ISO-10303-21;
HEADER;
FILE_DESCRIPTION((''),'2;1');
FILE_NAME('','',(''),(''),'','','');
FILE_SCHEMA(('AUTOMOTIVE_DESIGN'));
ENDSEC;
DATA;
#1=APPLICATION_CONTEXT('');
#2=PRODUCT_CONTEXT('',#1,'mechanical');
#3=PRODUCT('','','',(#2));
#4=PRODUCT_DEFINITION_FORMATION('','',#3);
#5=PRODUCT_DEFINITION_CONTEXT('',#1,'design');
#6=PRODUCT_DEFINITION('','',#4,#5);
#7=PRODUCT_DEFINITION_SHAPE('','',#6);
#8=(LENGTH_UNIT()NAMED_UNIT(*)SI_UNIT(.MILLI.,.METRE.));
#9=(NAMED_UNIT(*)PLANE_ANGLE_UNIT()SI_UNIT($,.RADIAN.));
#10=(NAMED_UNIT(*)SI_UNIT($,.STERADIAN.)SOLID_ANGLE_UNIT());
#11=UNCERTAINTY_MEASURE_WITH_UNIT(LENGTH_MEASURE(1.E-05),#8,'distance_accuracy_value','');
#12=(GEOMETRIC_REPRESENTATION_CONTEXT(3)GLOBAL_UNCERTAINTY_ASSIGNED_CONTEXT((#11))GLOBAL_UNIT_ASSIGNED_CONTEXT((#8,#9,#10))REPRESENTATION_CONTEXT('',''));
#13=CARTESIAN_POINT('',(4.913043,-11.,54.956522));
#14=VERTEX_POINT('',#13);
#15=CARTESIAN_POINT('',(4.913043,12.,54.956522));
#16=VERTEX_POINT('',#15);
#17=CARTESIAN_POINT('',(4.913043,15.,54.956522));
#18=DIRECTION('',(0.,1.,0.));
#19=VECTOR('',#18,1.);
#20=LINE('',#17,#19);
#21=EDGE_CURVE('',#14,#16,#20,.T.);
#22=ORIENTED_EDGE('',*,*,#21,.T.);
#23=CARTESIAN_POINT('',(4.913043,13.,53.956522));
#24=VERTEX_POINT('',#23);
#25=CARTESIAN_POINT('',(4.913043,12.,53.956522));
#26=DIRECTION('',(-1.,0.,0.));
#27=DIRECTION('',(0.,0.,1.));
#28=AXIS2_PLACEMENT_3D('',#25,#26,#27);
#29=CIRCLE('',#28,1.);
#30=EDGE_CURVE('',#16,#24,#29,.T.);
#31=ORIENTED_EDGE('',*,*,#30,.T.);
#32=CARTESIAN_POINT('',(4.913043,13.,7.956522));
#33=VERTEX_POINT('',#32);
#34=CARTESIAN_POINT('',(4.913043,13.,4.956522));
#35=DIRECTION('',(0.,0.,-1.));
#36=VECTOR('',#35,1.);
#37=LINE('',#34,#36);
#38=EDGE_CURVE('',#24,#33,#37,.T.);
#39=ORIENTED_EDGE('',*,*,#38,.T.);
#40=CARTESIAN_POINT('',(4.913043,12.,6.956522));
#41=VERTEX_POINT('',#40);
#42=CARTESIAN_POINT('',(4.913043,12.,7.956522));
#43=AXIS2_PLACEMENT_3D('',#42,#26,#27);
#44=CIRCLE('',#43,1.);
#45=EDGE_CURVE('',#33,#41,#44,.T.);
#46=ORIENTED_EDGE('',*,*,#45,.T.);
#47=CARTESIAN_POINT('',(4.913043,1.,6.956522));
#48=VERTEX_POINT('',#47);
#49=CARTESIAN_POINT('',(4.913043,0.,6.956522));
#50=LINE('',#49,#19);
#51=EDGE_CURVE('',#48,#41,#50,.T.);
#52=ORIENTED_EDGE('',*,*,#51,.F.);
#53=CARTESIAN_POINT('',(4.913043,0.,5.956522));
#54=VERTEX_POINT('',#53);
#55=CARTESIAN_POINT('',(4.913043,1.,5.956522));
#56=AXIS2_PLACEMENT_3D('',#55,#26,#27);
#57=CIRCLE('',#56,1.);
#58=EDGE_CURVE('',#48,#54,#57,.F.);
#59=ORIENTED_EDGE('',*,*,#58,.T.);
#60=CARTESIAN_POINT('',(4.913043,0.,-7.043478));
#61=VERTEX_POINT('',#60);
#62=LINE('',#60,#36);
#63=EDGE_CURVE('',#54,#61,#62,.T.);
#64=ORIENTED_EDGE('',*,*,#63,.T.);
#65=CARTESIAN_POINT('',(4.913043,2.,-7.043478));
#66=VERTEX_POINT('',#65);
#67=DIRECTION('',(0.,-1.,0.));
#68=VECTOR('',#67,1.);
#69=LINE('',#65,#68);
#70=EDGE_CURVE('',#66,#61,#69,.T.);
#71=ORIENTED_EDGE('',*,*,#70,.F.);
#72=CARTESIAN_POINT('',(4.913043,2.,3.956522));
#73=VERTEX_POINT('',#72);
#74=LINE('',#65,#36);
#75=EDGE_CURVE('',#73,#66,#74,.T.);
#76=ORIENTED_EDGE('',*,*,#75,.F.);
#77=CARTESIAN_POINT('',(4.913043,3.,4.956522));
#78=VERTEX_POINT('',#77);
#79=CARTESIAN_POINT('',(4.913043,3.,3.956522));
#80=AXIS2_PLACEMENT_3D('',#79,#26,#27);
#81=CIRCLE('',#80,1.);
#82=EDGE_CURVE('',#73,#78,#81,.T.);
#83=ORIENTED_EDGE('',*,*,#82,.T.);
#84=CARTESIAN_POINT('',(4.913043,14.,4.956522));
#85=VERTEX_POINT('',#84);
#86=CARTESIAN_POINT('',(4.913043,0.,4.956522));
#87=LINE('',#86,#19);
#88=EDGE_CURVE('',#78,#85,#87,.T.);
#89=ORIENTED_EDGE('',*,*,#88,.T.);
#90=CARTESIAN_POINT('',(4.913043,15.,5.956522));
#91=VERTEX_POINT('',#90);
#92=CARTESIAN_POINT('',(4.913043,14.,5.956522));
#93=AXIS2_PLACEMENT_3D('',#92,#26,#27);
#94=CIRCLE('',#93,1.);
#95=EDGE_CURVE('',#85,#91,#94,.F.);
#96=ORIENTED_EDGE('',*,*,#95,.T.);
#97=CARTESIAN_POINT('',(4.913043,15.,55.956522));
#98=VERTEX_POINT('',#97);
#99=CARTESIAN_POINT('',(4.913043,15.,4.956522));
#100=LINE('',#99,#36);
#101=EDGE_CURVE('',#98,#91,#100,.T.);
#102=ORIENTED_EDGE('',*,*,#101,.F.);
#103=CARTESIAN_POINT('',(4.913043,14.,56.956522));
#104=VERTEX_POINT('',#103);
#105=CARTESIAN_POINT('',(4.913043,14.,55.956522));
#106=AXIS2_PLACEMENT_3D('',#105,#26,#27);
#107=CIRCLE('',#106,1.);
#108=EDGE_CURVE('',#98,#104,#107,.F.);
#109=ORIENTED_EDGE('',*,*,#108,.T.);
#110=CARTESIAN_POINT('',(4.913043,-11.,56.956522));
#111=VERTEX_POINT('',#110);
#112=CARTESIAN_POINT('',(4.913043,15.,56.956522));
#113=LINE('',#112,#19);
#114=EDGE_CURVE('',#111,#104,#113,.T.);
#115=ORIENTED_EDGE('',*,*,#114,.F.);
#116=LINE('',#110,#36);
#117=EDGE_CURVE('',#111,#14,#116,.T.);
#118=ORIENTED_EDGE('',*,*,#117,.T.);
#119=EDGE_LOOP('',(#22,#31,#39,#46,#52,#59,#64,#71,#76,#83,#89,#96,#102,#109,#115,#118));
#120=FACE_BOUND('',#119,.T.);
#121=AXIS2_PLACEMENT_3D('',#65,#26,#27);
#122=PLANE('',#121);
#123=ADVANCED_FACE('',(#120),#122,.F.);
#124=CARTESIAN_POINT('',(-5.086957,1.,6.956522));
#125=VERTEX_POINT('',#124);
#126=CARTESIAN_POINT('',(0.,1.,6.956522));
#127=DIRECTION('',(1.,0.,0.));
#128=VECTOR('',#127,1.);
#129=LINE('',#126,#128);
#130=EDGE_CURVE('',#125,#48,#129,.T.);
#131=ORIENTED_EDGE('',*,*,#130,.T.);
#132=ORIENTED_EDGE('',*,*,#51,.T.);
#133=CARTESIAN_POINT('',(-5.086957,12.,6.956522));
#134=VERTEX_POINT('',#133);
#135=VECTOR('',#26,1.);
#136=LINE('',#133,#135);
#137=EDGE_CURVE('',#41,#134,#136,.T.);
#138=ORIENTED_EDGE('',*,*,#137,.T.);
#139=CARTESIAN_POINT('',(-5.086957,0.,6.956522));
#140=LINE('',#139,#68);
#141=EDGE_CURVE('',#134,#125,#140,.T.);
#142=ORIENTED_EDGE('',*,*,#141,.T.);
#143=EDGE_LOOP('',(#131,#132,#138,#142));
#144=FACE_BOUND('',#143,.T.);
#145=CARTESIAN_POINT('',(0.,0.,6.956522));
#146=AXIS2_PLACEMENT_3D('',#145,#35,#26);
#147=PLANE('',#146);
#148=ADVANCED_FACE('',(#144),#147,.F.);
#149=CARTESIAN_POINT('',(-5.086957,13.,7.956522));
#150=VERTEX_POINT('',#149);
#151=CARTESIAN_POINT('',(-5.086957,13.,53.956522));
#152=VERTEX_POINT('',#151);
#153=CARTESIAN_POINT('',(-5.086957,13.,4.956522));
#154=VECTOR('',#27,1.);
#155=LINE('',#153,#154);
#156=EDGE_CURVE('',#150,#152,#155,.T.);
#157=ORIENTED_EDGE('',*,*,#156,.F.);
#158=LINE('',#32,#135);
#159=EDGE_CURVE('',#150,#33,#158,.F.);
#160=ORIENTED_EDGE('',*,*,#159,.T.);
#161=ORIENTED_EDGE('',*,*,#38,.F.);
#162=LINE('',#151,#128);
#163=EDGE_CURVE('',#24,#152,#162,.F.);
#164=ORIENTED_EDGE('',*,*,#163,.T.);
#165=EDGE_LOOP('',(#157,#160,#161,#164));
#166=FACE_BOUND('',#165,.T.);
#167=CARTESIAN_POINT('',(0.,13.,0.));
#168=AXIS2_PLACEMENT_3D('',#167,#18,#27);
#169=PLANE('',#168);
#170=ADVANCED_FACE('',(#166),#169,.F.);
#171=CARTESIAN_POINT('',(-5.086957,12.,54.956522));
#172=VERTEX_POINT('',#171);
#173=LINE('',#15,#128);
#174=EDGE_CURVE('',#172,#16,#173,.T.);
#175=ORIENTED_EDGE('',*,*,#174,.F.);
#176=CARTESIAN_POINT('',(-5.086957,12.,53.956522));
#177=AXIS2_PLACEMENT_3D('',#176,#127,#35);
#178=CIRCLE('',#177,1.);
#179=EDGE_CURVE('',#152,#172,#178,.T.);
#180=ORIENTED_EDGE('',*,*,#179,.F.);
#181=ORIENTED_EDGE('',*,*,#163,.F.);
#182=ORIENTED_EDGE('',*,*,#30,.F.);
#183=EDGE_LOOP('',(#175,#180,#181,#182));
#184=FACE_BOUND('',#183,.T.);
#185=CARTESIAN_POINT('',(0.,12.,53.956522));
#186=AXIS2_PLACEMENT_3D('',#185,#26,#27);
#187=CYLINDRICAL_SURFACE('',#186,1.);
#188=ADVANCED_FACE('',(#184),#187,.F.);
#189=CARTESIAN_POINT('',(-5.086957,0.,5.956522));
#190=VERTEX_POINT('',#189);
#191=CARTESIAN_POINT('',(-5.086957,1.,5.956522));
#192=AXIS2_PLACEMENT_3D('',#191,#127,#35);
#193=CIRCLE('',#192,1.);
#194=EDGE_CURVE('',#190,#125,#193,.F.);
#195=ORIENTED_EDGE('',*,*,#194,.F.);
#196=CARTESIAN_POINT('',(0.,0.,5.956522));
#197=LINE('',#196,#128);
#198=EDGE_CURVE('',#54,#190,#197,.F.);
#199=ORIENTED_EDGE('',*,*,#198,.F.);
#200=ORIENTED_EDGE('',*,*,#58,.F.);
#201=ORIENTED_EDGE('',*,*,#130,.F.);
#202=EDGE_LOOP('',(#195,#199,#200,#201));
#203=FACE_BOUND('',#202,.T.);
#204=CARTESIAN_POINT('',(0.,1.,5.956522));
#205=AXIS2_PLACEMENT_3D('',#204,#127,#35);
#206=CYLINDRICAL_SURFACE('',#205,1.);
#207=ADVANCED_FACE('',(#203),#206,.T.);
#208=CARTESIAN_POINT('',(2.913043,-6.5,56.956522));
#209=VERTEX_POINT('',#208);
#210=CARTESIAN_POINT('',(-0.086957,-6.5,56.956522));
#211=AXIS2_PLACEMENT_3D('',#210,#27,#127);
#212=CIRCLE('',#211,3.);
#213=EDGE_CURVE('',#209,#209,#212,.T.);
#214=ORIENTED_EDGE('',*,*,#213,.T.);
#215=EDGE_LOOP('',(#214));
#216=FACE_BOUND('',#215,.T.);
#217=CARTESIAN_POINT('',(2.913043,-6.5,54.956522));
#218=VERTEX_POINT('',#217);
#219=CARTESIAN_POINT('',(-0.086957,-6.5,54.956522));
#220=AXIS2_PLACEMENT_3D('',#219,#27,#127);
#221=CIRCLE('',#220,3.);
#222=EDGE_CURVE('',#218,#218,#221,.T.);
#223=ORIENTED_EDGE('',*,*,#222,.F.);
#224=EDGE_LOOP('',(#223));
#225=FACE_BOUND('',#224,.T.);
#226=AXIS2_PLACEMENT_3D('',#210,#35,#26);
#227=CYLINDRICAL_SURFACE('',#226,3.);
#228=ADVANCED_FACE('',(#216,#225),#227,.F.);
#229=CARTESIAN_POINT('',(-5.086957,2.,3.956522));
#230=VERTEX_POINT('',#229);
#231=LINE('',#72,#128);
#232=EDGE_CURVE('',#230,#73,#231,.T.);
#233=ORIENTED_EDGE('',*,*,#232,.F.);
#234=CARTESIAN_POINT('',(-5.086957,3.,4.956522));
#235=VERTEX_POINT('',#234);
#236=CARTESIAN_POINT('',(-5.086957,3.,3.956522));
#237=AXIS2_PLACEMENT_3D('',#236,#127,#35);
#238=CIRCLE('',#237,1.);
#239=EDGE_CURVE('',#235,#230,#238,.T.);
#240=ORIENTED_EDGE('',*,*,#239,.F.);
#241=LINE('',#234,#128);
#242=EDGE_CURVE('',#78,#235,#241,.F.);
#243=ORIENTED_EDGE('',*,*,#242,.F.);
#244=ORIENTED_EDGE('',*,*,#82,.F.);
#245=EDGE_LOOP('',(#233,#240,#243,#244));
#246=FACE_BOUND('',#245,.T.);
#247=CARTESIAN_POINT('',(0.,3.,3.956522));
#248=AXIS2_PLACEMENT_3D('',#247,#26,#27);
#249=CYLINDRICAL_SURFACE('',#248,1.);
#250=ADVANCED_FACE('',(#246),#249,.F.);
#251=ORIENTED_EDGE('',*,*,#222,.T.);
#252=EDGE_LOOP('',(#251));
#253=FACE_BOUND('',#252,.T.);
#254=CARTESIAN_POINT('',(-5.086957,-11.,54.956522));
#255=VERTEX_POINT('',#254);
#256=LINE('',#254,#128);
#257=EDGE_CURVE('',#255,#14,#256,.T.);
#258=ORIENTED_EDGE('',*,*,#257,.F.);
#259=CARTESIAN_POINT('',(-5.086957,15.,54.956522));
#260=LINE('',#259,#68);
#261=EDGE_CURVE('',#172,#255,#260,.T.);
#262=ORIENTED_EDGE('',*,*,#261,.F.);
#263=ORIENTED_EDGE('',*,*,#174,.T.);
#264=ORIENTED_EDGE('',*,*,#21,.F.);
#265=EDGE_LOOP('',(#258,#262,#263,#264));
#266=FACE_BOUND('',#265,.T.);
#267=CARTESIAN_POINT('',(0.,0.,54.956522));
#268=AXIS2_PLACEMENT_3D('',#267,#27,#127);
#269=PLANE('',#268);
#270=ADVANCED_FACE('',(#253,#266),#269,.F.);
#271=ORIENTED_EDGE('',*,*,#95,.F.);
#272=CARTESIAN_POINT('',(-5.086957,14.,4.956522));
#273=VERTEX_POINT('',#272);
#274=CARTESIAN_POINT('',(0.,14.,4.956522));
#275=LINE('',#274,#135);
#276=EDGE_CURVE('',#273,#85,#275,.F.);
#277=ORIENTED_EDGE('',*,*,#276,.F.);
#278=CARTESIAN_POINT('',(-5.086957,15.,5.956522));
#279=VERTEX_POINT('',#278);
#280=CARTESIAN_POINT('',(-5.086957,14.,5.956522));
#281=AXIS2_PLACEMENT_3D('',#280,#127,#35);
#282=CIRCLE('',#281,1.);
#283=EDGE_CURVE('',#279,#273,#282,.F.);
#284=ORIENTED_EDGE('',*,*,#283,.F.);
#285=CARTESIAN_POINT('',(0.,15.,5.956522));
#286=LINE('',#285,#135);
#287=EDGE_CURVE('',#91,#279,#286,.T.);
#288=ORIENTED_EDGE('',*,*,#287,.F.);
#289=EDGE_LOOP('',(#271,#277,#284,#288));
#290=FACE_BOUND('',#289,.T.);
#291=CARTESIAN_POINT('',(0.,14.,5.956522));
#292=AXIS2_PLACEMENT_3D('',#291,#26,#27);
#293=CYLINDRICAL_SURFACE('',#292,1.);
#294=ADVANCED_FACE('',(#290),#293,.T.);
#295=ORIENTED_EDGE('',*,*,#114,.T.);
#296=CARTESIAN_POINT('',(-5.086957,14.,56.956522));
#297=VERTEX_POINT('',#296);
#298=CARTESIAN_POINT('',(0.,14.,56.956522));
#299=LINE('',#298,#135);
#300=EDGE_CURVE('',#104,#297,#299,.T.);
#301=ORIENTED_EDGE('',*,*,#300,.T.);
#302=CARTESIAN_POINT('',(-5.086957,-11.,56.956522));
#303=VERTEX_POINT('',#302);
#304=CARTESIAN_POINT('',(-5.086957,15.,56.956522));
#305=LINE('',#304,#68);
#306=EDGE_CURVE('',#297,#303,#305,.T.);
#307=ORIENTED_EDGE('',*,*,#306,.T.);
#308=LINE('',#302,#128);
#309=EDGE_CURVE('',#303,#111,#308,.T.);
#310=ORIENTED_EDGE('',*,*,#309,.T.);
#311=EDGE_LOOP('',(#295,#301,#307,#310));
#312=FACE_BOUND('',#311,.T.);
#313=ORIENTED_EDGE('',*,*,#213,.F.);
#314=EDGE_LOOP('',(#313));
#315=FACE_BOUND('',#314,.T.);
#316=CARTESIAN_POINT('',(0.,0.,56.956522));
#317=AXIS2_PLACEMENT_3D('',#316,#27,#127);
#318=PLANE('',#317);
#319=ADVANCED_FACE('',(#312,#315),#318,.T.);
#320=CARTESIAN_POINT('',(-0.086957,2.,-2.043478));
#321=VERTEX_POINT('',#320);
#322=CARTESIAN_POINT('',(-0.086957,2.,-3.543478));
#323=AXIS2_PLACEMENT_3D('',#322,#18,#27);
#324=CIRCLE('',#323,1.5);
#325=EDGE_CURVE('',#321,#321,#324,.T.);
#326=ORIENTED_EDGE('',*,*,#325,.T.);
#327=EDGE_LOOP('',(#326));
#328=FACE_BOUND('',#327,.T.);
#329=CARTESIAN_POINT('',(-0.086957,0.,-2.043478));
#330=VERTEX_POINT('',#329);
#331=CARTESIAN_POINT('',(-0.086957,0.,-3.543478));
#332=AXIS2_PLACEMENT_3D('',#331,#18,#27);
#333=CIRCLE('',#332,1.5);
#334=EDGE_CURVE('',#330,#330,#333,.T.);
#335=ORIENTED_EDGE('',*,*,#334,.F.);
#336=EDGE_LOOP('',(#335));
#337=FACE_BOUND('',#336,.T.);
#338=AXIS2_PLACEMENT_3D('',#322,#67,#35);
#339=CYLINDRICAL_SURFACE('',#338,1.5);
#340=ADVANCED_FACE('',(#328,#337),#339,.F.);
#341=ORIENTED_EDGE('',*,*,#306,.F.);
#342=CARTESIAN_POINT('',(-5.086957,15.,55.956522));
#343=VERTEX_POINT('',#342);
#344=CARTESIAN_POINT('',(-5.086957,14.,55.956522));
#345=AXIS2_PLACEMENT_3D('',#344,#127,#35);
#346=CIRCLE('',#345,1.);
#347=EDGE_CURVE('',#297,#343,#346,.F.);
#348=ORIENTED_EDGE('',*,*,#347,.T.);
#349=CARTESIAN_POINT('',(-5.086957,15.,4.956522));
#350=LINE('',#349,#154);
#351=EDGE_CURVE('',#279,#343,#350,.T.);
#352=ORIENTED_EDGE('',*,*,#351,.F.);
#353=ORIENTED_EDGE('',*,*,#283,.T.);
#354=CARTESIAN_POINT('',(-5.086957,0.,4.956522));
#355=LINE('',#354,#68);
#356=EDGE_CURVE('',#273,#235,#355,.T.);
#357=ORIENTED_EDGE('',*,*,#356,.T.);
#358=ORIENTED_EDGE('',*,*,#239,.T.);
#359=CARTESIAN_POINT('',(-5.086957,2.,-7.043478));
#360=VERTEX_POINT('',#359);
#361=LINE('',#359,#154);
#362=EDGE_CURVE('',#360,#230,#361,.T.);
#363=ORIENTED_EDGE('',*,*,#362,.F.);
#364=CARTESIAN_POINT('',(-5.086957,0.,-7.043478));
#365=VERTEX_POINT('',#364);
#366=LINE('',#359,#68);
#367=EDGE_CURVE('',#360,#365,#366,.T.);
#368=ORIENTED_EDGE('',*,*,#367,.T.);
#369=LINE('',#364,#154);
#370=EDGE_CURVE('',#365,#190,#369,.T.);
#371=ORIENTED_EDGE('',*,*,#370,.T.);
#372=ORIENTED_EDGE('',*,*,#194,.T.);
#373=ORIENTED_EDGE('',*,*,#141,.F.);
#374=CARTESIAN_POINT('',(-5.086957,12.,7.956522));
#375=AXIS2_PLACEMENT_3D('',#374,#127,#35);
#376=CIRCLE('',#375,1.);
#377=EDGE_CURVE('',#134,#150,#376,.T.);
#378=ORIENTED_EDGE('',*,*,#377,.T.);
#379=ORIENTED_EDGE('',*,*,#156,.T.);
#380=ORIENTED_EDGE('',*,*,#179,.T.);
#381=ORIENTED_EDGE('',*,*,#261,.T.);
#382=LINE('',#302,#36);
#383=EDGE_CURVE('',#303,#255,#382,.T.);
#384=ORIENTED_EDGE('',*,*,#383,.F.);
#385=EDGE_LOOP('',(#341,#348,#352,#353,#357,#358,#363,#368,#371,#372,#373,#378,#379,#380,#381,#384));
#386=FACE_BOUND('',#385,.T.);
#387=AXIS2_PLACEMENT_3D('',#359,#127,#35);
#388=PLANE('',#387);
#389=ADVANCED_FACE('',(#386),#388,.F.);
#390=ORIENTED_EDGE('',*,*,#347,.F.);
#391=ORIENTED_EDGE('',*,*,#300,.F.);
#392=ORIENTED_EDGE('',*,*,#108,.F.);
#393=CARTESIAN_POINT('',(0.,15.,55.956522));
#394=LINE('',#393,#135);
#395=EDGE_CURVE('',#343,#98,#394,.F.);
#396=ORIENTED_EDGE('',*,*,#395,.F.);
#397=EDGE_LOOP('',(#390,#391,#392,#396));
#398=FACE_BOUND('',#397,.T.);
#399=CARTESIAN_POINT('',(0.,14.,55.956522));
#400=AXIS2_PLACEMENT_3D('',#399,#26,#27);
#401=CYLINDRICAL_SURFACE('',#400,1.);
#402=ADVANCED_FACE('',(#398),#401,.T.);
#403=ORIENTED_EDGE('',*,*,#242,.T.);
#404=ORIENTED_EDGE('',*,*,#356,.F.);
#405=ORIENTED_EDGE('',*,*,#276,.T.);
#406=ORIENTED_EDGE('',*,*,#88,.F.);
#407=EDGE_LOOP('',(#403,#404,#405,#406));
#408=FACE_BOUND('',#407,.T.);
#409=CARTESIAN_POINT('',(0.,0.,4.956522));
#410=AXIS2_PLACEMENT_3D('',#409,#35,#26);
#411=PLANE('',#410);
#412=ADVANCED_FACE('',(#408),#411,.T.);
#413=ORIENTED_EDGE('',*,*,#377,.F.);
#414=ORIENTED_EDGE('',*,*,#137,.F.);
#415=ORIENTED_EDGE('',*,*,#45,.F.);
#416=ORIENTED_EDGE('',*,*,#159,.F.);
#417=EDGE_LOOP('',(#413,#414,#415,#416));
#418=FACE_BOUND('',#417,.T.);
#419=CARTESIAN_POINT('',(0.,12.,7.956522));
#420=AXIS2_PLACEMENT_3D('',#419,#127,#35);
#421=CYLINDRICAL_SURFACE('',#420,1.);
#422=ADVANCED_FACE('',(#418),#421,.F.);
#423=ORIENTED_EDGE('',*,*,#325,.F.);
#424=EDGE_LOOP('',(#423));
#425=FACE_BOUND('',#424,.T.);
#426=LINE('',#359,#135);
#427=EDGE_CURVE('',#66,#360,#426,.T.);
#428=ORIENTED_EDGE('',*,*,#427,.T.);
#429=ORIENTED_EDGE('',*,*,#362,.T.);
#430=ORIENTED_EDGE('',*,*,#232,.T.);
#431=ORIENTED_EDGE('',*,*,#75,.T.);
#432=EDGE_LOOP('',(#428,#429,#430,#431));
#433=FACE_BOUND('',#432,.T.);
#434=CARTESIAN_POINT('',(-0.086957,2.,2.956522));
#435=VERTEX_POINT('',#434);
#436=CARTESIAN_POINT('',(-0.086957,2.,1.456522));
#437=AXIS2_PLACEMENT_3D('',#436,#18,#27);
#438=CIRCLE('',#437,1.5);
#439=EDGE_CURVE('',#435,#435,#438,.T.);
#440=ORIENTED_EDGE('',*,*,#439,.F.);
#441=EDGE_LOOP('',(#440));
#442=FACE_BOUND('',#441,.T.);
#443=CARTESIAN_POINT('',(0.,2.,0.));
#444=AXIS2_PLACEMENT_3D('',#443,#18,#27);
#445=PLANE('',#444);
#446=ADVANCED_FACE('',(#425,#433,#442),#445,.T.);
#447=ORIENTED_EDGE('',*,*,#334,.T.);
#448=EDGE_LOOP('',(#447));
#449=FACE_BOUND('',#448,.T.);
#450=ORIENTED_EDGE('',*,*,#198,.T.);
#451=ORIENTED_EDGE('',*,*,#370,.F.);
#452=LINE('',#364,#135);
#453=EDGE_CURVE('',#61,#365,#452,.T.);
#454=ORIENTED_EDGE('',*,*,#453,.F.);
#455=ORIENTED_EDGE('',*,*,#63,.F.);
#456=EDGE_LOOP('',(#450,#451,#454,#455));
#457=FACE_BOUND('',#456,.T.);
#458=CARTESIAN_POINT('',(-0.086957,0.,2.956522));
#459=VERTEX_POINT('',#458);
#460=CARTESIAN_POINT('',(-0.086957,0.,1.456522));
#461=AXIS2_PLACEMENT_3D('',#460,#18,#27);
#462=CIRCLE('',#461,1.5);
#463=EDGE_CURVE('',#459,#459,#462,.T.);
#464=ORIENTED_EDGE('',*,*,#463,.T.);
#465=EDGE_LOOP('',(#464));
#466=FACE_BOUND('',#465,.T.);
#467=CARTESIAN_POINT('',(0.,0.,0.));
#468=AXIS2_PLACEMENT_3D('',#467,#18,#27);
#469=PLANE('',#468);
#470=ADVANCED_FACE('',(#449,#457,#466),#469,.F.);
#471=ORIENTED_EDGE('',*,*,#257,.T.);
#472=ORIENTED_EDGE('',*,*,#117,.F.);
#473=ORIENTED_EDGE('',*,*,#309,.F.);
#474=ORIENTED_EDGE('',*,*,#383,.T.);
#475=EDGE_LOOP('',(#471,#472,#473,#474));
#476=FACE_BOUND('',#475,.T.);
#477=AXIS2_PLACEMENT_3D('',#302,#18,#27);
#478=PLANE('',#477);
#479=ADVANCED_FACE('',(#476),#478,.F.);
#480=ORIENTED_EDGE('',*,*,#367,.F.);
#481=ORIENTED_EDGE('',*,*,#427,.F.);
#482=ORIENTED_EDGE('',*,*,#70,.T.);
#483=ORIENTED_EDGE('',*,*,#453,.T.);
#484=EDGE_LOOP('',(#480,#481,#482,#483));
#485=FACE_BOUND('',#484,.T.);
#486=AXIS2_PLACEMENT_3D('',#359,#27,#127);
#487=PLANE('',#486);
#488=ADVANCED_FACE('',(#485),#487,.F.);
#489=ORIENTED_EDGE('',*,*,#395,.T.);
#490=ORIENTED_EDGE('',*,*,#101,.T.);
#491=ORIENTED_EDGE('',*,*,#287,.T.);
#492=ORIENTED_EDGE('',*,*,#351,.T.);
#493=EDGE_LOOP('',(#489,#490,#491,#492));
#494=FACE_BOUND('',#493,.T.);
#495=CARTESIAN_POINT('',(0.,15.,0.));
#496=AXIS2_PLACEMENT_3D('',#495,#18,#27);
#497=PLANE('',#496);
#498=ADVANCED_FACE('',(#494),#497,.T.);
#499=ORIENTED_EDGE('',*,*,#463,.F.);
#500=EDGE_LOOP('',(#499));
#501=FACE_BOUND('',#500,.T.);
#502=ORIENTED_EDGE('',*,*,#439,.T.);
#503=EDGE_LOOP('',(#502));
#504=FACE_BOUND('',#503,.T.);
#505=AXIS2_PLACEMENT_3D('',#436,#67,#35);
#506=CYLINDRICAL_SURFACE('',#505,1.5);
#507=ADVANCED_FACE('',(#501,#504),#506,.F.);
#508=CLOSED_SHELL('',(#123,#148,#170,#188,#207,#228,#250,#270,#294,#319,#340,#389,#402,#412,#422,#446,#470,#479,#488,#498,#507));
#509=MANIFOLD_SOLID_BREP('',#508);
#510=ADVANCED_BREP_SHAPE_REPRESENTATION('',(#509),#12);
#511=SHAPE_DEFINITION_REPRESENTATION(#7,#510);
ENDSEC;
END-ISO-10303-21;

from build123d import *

# Parameters (mm, degrees)
SKETCH1_W           = 10
SKETCH1_H           = 12
SKETCH1_R           = 1.5
BOSS_EXTRUDE1_DEPTH = 2
SKETCH2_W           = 10
SKETCH2_H           = 13
BOSS_EXTRUDE2_DEPTH = 2
SKETCH3_W           = 10
SKETCH3_H           = 50
BOSS_EXTRUDE3_DEPTH = 2
SKETCH4_W           = 10
SKETCH4_H           = 26
SKETCH4_R           = 3
BOSS_EXTRUDE4_DEPTH = 2
FILLET1_R           = 1
FILLET2_R           = 1
FILLET3_R           = 1
FILLET4_R           = 1
FILLET5_R           = 1
FILLET6_R           = 1


with BuildPart() as part:
    # Sketch1 → Boss-Extrude1 (new body)
    with BuildSketch(Plane(origin=(0, 0, 0), x_dir=(1, 0, 0), z_dir=(0, 1, 0))):
        with Locations((-0.086956522, 1.043478261)):
            Rectangle(SKETCH1_W, SKETCH1_H)
        with Locations(Location((-0.086956522, -1.456521739, 0), (0, 0, 270))):
            Circle(SKETCH1_R, mode=Mode.SUBTRACT)
        with Locations(Location((-0.086956522, 3.543478261, 0), (0, 0, 270))):
            Circle(SKETCH1_R, mode=Mode.SUBTRACT)
    extrude(amount=BOSS_EXTRUDE1_DEPTH)

    # Sketch2 → Boss-Extrude2 (add)
    with BuildSketch(Plane.XY.offset(4.956521739)):
        with Locations((-0.086956522, 6.5)):
            Rectangle(SKETCH2_W, SKETCH2_H)
    extrude(amount=BOSS_EXTRUDE2_DEPTH)

    # Sketch3 → Boss-Extrude3 (add)
    with BuildSketch(Plane(origin=(0, 13, 0), x_dir=(1, 0, 0), z_dir=(0, 1, 0))):
        with Locations((-0.086956522, -29.956521739)):
            Rectangle(SKETCH3_W, SKETCH3_H)
    extrude(amount=BOSS_EXTRUDE3_DEPTH)

    # Sketch4 → Boss-Extrude4 (add)
    with BuildSketch(Plane.XY.offset(54.956521739)):
        with Locations((-0.086956522, 2)):
            Rectangle(SKETCH4_W, SKETCH4_H)
        with Locations((-0.086956522, -6.5)):
            Circle(SKETCH4_R, mode=Mode.SUBTRACT)
    extrude(amount=BOSS_EXTRUDE4_DEPTH)

    # Fillet1
    fillet1_edges = [part.edges().sort_by_distance(p)[0] for p in [
        (-0.086956522, 15, 56.956521739),
    ]]
    fillet(fillet1_edges, radius=FILLET1_R)

    # Fillet2
    fillet2_edges = [part.edges().sort_by_distance(p)[0] for p in [
        (-0.086956522, 13, 54.956521739),
    ]]
    fillet(fillet2_edges, radius=FILLET2_R)

    # Fillet3
    fillet3_edges = [part.edges().sort_by_distance(p)[0] for p in [
        (-0.086956522, 15, 4.956521739),
    ]]
    fillet(fillet3_edges, radius=FILLET3_R)

    # Fillet4
    fillet4_edges = [part.edges().sort_by_distance(p)[0] for p in [
        (-0.086956522, 13, 6.956521739),
    ]]
    fillet(fillet4_edges, radius=FILLET4_R)

    # Fillet5
    fillet5_edges = [part.edges().sort_by_distance(p)[0] for p in [
        (-0.086956522, 0, 6.956521739),
    ]]
    fillet(fillet5_edges, radius=FILLET5_R)

    # Fillet6
    fillet6_edges = [part.edges().sort_by_distance(p)[0] for p in [
        (-0.086956522, 2, 4.956521739),
    ]]
    fillet(fillet6_edges, radius=FILLET6_R)


solid = part.part
